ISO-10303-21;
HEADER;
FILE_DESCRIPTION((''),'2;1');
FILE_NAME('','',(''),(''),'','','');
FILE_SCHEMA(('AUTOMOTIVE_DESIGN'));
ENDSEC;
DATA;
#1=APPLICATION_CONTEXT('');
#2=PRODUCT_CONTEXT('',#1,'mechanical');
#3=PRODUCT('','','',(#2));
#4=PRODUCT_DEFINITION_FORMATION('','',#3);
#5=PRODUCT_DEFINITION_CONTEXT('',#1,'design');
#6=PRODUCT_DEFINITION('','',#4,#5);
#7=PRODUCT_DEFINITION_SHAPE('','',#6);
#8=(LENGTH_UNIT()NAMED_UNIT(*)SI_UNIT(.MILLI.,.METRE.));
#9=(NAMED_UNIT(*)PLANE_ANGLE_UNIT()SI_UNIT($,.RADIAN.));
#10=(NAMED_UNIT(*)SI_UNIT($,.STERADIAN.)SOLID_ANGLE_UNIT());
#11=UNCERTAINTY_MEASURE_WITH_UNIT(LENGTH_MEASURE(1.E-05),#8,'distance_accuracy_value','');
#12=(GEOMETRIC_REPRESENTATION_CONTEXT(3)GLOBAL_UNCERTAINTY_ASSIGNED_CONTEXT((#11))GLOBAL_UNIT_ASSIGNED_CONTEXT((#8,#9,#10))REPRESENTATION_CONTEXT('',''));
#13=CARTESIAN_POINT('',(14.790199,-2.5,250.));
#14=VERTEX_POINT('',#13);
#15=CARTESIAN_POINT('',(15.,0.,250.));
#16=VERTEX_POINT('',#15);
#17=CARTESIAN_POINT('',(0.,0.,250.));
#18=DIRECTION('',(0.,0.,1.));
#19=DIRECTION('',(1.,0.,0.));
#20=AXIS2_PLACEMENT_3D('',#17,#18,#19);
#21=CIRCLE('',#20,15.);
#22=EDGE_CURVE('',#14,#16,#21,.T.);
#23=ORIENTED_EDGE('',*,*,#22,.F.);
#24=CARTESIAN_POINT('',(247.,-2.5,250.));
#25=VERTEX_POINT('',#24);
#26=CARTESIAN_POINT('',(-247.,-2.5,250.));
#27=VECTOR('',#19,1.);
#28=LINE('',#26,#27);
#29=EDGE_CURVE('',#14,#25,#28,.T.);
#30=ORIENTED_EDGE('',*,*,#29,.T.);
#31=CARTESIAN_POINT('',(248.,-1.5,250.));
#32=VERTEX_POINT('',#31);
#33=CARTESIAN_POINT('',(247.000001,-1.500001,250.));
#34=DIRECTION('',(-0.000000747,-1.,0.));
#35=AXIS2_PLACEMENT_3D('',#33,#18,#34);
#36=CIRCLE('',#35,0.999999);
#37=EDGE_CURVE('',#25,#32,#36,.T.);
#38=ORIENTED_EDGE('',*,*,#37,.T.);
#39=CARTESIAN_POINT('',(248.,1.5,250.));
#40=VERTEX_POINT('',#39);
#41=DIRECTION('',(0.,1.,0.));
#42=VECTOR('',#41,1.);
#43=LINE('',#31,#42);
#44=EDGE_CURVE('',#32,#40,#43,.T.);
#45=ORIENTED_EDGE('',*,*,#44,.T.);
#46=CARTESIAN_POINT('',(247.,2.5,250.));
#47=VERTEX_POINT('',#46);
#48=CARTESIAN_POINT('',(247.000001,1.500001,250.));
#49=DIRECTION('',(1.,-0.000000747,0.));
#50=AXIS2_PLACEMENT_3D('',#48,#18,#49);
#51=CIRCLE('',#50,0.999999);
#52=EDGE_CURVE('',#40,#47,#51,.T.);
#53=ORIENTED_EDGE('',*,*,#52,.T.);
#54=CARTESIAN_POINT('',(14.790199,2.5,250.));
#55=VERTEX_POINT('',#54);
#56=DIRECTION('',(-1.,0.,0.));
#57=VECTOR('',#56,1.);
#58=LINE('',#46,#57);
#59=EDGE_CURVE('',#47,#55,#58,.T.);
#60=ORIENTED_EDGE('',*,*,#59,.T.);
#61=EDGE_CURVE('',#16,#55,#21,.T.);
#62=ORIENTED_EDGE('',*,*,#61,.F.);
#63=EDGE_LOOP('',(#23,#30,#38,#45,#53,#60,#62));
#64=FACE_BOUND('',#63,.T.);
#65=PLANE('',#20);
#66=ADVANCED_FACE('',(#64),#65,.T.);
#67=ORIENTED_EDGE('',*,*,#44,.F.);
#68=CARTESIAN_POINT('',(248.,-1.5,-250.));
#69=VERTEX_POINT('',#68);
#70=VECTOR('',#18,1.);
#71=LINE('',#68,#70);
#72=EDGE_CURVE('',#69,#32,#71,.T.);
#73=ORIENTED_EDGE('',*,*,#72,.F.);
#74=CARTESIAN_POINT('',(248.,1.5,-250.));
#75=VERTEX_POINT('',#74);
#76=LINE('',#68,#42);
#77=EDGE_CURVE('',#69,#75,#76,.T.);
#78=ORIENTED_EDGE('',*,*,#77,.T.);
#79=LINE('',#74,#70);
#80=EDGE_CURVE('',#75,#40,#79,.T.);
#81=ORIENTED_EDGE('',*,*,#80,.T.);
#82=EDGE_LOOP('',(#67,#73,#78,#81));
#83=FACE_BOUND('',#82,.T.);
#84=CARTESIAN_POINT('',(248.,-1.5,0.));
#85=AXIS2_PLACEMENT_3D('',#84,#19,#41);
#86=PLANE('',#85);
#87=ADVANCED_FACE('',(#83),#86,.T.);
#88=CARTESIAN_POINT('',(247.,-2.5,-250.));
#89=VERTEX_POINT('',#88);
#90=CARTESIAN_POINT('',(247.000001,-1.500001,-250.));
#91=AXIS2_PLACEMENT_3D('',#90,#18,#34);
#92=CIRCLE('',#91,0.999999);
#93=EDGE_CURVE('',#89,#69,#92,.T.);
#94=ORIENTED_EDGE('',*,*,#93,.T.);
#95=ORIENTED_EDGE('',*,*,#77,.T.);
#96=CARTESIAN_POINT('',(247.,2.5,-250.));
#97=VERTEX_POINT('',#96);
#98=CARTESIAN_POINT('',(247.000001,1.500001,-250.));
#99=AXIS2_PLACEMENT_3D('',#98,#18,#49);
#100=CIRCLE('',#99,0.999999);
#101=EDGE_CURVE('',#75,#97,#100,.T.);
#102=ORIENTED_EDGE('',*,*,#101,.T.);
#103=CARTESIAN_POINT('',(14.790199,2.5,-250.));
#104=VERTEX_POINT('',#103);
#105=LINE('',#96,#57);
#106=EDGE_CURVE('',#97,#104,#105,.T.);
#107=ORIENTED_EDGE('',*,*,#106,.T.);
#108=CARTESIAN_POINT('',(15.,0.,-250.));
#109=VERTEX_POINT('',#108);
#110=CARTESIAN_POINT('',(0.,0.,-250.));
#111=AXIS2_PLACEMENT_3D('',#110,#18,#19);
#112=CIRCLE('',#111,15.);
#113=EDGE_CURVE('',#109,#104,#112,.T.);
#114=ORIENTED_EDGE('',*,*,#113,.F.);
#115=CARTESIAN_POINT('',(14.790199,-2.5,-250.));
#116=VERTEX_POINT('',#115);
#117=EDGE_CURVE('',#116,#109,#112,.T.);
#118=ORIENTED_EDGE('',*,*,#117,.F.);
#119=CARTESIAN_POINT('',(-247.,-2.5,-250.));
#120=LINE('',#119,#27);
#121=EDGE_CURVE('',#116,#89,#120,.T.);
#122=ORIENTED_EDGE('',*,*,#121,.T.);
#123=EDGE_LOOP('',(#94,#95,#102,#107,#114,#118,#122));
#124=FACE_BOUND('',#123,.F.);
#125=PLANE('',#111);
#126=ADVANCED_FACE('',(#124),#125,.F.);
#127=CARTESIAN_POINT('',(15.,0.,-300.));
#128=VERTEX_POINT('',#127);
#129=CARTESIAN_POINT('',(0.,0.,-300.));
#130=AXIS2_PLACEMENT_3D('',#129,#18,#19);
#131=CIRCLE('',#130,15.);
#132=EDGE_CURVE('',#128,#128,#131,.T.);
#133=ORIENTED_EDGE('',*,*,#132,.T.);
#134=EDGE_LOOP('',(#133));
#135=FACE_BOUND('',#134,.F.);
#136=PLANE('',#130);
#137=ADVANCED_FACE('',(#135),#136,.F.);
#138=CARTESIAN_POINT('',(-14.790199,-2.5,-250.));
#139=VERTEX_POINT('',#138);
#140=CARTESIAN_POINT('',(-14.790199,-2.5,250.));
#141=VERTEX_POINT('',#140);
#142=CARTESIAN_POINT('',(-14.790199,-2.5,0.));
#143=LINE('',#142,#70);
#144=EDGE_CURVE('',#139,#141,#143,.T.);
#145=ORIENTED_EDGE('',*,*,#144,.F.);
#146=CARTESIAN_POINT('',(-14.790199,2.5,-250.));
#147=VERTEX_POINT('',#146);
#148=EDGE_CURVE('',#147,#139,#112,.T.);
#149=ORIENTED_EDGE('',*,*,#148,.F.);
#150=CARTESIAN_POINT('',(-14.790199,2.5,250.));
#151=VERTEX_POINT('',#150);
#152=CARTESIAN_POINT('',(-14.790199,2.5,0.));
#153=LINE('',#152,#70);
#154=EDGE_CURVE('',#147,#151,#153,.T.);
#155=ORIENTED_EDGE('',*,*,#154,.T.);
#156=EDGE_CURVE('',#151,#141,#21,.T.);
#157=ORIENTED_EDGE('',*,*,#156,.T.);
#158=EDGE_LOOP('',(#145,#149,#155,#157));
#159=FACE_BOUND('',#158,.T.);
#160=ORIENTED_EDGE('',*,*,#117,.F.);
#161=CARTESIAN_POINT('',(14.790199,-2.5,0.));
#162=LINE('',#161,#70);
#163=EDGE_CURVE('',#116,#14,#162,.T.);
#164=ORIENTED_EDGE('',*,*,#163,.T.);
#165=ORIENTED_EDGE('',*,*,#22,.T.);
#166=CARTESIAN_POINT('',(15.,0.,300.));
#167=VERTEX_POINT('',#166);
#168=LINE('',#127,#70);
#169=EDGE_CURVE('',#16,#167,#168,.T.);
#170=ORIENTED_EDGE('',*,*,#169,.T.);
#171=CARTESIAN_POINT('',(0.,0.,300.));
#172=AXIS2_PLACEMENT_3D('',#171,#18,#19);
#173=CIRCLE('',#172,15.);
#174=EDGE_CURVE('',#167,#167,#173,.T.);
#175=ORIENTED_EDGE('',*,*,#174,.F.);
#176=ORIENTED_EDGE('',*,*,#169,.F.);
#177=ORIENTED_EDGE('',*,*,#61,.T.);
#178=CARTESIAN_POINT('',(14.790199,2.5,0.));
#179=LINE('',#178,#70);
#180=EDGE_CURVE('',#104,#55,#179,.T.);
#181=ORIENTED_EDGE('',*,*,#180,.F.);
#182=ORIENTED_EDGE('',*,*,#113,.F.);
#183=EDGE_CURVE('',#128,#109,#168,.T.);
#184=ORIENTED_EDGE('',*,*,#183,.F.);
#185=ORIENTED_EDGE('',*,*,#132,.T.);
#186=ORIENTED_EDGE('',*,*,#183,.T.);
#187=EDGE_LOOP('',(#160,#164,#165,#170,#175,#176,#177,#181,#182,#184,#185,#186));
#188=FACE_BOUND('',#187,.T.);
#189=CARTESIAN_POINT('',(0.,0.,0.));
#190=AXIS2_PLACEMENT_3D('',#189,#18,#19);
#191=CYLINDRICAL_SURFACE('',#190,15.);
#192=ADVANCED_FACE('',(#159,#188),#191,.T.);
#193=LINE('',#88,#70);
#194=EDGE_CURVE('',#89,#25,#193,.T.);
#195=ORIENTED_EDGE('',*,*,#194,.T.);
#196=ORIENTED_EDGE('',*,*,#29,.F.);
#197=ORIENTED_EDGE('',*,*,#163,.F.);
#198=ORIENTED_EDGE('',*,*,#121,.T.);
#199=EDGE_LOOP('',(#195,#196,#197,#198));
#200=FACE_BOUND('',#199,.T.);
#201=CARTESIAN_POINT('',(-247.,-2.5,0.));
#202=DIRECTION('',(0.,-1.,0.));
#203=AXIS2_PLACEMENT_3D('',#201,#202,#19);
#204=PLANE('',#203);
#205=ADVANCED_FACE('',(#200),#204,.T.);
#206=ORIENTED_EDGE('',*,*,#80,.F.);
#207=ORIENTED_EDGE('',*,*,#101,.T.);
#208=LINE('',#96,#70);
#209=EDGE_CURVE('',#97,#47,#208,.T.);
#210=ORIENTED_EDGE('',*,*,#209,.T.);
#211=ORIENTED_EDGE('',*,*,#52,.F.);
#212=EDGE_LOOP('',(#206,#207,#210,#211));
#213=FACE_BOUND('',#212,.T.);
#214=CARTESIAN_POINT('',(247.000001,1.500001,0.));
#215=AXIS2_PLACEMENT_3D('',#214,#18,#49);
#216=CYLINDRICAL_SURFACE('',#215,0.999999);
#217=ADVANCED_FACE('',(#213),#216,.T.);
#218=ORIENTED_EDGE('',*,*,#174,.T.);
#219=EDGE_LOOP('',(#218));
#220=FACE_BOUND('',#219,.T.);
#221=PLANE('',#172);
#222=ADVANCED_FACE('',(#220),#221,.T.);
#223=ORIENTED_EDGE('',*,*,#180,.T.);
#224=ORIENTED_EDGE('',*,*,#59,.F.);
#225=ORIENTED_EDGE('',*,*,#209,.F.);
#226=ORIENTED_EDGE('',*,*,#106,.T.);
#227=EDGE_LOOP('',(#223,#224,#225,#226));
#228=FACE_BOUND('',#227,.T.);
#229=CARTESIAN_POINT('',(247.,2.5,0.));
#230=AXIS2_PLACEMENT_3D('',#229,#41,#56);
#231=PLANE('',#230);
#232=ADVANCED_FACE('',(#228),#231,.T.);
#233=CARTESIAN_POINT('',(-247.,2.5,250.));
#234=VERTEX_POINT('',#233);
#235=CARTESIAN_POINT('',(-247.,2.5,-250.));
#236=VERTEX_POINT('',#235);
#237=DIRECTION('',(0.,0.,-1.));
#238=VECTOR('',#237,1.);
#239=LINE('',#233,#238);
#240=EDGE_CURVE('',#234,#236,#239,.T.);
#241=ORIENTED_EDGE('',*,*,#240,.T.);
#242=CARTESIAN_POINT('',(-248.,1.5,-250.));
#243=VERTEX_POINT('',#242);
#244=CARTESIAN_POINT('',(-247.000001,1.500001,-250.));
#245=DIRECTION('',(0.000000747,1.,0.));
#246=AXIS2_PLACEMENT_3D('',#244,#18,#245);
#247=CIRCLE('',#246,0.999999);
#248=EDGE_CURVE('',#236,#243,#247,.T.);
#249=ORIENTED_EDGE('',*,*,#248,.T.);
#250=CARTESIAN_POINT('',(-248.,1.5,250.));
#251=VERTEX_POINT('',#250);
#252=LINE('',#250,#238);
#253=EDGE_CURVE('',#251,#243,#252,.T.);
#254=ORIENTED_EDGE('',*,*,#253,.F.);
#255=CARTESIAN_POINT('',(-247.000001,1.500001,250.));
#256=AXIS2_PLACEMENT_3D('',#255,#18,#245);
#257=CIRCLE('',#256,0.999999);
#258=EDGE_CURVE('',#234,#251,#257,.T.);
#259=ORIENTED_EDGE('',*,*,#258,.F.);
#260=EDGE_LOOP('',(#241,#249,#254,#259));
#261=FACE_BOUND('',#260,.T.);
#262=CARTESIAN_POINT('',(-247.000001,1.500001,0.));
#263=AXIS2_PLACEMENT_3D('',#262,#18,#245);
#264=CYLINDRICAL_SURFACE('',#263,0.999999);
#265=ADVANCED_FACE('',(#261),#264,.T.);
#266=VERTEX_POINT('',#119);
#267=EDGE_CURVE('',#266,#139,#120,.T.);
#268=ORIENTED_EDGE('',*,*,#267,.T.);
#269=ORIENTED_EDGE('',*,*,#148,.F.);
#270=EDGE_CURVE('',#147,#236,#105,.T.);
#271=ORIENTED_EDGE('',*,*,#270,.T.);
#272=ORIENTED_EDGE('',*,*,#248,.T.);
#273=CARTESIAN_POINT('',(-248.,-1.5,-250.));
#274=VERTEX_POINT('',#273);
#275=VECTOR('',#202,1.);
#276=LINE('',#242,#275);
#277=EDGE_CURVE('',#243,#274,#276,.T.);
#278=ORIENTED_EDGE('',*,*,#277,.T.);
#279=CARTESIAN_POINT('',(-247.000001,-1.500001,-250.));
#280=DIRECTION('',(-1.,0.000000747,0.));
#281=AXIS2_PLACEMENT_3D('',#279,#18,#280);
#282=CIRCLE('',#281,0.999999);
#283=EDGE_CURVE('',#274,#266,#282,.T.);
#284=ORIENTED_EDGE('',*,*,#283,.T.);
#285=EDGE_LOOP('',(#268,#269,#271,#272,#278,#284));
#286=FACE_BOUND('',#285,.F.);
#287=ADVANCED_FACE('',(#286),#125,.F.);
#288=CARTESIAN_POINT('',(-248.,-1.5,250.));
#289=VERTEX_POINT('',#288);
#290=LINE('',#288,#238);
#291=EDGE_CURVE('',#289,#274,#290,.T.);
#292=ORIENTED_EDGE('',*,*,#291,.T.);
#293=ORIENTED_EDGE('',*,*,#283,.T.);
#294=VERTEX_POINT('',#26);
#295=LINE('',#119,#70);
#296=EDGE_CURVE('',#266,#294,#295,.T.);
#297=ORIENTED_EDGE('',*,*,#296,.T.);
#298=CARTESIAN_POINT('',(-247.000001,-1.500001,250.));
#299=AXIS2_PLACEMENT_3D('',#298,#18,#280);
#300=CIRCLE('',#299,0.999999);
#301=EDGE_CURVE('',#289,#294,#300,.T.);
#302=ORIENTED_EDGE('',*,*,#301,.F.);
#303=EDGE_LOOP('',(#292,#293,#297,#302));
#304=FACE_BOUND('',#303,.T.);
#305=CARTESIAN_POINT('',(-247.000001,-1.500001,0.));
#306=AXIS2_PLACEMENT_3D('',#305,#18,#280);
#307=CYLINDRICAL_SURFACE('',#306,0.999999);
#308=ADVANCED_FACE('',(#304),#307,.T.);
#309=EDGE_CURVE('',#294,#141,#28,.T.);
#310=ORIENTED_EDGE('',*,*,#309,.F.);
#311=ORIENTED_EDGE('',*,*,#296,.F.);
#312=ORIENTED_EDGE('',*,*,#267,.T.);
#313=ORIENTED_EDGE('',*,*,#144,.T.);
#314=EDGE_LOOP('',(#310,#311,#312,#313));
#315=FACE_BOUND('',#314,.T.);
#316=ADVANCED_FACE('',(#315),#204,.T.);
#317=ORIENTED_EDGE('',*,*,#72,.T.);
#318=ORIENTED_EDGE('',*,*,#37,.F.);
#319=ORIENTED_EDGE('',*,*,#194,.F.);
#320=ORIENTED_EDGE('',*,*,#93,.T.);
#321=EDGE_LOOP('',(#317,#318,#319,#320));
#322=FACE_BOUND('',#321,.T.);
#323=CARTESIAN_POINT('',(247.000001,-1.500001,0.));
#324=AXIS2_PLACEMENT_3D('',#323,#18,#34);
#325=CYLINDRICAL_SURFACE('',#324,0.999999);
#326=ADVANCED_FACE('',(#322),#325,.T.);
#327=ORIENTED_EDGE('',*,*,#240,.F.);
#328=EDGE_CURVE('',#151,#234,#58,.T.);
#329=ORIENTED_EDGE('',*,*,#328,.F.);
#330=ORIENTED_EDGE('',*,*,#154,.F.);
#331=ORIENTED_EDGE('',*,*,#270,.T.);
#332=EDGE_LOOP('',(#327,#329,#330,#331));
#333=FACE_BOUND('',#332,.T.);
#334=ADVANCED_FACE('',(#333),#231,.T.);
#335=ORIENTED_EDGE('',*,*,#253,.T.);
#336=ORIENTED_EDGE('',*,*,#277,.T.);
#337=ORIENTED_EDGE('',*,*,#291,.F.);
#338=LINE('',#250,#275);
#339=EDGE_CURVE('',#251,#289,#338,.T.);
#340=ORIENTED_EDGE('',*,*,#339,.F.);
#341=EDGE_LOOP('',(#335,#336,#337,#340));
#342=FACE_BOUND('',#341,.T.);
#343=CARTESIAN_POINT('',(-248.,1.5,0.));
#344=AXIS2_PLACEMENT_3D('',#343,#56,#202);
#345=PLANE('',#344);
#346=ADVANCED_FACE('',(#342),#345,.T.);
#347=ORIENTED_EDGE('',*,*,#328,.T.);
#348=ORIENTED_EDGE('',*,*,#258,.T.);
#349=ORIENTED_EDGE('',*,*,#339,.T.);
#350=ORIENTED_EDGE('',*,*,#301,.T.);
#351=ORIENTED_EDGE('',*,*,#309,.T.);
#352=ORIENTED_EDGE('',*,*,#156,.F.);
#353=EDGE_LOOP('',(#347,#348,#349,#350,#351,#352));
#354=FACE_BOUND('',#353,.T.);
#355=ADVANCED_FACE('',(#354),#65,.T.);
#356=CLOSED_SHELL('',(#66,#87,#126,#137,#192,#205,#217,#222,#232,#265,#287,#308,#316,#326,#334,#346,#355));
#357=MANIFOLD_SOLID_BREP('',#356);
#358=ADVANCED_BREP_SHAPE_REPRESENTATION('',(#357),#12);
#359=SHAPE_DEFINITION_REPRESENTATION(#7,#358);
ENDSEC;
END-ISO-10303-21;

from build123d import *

# Parameters (mm, degrees)
F0_R     = 15
F1_DEPTH = 300
F3_DEPTH = 250


with BuildPart() as f1:
    # F0 (on Top) → F1 (new body, symmetric)
    with BuildSketch(Plane.XY):
        Circle(F0_R)
    extrude(amount=F1_DEPTH, both=True)

    # F2 (on Top) → F3 (join, symmetric)
    with BuildSketch(Plane.XY):
        with BuildLine():
            ThreePointArc((-248, -1.5), (-247.707107, -2.207107), (-247, -2.5))
            Line((-247, -2.5), (247, -2.5))
            ThreePointArc((247, -2.5), (247.707107, -2.207107), (248, -1.5))
            Line((248, -1.5), (248, 1.5))
            ThreePointArc((248, 1.5), (247.707107, 2.207107), (247, 2.5))
            Line((247, 2.5), (-247, 2.5))
            ThreePointArc((-247, 2.5), (-247.707107, 2.207107), (-248, 1.5))
            Line((-248, 1.5), (-248, -1.5))
        make_face()
    extrude(amount=F3_DEPTH, both=True)


solid = f1.part
